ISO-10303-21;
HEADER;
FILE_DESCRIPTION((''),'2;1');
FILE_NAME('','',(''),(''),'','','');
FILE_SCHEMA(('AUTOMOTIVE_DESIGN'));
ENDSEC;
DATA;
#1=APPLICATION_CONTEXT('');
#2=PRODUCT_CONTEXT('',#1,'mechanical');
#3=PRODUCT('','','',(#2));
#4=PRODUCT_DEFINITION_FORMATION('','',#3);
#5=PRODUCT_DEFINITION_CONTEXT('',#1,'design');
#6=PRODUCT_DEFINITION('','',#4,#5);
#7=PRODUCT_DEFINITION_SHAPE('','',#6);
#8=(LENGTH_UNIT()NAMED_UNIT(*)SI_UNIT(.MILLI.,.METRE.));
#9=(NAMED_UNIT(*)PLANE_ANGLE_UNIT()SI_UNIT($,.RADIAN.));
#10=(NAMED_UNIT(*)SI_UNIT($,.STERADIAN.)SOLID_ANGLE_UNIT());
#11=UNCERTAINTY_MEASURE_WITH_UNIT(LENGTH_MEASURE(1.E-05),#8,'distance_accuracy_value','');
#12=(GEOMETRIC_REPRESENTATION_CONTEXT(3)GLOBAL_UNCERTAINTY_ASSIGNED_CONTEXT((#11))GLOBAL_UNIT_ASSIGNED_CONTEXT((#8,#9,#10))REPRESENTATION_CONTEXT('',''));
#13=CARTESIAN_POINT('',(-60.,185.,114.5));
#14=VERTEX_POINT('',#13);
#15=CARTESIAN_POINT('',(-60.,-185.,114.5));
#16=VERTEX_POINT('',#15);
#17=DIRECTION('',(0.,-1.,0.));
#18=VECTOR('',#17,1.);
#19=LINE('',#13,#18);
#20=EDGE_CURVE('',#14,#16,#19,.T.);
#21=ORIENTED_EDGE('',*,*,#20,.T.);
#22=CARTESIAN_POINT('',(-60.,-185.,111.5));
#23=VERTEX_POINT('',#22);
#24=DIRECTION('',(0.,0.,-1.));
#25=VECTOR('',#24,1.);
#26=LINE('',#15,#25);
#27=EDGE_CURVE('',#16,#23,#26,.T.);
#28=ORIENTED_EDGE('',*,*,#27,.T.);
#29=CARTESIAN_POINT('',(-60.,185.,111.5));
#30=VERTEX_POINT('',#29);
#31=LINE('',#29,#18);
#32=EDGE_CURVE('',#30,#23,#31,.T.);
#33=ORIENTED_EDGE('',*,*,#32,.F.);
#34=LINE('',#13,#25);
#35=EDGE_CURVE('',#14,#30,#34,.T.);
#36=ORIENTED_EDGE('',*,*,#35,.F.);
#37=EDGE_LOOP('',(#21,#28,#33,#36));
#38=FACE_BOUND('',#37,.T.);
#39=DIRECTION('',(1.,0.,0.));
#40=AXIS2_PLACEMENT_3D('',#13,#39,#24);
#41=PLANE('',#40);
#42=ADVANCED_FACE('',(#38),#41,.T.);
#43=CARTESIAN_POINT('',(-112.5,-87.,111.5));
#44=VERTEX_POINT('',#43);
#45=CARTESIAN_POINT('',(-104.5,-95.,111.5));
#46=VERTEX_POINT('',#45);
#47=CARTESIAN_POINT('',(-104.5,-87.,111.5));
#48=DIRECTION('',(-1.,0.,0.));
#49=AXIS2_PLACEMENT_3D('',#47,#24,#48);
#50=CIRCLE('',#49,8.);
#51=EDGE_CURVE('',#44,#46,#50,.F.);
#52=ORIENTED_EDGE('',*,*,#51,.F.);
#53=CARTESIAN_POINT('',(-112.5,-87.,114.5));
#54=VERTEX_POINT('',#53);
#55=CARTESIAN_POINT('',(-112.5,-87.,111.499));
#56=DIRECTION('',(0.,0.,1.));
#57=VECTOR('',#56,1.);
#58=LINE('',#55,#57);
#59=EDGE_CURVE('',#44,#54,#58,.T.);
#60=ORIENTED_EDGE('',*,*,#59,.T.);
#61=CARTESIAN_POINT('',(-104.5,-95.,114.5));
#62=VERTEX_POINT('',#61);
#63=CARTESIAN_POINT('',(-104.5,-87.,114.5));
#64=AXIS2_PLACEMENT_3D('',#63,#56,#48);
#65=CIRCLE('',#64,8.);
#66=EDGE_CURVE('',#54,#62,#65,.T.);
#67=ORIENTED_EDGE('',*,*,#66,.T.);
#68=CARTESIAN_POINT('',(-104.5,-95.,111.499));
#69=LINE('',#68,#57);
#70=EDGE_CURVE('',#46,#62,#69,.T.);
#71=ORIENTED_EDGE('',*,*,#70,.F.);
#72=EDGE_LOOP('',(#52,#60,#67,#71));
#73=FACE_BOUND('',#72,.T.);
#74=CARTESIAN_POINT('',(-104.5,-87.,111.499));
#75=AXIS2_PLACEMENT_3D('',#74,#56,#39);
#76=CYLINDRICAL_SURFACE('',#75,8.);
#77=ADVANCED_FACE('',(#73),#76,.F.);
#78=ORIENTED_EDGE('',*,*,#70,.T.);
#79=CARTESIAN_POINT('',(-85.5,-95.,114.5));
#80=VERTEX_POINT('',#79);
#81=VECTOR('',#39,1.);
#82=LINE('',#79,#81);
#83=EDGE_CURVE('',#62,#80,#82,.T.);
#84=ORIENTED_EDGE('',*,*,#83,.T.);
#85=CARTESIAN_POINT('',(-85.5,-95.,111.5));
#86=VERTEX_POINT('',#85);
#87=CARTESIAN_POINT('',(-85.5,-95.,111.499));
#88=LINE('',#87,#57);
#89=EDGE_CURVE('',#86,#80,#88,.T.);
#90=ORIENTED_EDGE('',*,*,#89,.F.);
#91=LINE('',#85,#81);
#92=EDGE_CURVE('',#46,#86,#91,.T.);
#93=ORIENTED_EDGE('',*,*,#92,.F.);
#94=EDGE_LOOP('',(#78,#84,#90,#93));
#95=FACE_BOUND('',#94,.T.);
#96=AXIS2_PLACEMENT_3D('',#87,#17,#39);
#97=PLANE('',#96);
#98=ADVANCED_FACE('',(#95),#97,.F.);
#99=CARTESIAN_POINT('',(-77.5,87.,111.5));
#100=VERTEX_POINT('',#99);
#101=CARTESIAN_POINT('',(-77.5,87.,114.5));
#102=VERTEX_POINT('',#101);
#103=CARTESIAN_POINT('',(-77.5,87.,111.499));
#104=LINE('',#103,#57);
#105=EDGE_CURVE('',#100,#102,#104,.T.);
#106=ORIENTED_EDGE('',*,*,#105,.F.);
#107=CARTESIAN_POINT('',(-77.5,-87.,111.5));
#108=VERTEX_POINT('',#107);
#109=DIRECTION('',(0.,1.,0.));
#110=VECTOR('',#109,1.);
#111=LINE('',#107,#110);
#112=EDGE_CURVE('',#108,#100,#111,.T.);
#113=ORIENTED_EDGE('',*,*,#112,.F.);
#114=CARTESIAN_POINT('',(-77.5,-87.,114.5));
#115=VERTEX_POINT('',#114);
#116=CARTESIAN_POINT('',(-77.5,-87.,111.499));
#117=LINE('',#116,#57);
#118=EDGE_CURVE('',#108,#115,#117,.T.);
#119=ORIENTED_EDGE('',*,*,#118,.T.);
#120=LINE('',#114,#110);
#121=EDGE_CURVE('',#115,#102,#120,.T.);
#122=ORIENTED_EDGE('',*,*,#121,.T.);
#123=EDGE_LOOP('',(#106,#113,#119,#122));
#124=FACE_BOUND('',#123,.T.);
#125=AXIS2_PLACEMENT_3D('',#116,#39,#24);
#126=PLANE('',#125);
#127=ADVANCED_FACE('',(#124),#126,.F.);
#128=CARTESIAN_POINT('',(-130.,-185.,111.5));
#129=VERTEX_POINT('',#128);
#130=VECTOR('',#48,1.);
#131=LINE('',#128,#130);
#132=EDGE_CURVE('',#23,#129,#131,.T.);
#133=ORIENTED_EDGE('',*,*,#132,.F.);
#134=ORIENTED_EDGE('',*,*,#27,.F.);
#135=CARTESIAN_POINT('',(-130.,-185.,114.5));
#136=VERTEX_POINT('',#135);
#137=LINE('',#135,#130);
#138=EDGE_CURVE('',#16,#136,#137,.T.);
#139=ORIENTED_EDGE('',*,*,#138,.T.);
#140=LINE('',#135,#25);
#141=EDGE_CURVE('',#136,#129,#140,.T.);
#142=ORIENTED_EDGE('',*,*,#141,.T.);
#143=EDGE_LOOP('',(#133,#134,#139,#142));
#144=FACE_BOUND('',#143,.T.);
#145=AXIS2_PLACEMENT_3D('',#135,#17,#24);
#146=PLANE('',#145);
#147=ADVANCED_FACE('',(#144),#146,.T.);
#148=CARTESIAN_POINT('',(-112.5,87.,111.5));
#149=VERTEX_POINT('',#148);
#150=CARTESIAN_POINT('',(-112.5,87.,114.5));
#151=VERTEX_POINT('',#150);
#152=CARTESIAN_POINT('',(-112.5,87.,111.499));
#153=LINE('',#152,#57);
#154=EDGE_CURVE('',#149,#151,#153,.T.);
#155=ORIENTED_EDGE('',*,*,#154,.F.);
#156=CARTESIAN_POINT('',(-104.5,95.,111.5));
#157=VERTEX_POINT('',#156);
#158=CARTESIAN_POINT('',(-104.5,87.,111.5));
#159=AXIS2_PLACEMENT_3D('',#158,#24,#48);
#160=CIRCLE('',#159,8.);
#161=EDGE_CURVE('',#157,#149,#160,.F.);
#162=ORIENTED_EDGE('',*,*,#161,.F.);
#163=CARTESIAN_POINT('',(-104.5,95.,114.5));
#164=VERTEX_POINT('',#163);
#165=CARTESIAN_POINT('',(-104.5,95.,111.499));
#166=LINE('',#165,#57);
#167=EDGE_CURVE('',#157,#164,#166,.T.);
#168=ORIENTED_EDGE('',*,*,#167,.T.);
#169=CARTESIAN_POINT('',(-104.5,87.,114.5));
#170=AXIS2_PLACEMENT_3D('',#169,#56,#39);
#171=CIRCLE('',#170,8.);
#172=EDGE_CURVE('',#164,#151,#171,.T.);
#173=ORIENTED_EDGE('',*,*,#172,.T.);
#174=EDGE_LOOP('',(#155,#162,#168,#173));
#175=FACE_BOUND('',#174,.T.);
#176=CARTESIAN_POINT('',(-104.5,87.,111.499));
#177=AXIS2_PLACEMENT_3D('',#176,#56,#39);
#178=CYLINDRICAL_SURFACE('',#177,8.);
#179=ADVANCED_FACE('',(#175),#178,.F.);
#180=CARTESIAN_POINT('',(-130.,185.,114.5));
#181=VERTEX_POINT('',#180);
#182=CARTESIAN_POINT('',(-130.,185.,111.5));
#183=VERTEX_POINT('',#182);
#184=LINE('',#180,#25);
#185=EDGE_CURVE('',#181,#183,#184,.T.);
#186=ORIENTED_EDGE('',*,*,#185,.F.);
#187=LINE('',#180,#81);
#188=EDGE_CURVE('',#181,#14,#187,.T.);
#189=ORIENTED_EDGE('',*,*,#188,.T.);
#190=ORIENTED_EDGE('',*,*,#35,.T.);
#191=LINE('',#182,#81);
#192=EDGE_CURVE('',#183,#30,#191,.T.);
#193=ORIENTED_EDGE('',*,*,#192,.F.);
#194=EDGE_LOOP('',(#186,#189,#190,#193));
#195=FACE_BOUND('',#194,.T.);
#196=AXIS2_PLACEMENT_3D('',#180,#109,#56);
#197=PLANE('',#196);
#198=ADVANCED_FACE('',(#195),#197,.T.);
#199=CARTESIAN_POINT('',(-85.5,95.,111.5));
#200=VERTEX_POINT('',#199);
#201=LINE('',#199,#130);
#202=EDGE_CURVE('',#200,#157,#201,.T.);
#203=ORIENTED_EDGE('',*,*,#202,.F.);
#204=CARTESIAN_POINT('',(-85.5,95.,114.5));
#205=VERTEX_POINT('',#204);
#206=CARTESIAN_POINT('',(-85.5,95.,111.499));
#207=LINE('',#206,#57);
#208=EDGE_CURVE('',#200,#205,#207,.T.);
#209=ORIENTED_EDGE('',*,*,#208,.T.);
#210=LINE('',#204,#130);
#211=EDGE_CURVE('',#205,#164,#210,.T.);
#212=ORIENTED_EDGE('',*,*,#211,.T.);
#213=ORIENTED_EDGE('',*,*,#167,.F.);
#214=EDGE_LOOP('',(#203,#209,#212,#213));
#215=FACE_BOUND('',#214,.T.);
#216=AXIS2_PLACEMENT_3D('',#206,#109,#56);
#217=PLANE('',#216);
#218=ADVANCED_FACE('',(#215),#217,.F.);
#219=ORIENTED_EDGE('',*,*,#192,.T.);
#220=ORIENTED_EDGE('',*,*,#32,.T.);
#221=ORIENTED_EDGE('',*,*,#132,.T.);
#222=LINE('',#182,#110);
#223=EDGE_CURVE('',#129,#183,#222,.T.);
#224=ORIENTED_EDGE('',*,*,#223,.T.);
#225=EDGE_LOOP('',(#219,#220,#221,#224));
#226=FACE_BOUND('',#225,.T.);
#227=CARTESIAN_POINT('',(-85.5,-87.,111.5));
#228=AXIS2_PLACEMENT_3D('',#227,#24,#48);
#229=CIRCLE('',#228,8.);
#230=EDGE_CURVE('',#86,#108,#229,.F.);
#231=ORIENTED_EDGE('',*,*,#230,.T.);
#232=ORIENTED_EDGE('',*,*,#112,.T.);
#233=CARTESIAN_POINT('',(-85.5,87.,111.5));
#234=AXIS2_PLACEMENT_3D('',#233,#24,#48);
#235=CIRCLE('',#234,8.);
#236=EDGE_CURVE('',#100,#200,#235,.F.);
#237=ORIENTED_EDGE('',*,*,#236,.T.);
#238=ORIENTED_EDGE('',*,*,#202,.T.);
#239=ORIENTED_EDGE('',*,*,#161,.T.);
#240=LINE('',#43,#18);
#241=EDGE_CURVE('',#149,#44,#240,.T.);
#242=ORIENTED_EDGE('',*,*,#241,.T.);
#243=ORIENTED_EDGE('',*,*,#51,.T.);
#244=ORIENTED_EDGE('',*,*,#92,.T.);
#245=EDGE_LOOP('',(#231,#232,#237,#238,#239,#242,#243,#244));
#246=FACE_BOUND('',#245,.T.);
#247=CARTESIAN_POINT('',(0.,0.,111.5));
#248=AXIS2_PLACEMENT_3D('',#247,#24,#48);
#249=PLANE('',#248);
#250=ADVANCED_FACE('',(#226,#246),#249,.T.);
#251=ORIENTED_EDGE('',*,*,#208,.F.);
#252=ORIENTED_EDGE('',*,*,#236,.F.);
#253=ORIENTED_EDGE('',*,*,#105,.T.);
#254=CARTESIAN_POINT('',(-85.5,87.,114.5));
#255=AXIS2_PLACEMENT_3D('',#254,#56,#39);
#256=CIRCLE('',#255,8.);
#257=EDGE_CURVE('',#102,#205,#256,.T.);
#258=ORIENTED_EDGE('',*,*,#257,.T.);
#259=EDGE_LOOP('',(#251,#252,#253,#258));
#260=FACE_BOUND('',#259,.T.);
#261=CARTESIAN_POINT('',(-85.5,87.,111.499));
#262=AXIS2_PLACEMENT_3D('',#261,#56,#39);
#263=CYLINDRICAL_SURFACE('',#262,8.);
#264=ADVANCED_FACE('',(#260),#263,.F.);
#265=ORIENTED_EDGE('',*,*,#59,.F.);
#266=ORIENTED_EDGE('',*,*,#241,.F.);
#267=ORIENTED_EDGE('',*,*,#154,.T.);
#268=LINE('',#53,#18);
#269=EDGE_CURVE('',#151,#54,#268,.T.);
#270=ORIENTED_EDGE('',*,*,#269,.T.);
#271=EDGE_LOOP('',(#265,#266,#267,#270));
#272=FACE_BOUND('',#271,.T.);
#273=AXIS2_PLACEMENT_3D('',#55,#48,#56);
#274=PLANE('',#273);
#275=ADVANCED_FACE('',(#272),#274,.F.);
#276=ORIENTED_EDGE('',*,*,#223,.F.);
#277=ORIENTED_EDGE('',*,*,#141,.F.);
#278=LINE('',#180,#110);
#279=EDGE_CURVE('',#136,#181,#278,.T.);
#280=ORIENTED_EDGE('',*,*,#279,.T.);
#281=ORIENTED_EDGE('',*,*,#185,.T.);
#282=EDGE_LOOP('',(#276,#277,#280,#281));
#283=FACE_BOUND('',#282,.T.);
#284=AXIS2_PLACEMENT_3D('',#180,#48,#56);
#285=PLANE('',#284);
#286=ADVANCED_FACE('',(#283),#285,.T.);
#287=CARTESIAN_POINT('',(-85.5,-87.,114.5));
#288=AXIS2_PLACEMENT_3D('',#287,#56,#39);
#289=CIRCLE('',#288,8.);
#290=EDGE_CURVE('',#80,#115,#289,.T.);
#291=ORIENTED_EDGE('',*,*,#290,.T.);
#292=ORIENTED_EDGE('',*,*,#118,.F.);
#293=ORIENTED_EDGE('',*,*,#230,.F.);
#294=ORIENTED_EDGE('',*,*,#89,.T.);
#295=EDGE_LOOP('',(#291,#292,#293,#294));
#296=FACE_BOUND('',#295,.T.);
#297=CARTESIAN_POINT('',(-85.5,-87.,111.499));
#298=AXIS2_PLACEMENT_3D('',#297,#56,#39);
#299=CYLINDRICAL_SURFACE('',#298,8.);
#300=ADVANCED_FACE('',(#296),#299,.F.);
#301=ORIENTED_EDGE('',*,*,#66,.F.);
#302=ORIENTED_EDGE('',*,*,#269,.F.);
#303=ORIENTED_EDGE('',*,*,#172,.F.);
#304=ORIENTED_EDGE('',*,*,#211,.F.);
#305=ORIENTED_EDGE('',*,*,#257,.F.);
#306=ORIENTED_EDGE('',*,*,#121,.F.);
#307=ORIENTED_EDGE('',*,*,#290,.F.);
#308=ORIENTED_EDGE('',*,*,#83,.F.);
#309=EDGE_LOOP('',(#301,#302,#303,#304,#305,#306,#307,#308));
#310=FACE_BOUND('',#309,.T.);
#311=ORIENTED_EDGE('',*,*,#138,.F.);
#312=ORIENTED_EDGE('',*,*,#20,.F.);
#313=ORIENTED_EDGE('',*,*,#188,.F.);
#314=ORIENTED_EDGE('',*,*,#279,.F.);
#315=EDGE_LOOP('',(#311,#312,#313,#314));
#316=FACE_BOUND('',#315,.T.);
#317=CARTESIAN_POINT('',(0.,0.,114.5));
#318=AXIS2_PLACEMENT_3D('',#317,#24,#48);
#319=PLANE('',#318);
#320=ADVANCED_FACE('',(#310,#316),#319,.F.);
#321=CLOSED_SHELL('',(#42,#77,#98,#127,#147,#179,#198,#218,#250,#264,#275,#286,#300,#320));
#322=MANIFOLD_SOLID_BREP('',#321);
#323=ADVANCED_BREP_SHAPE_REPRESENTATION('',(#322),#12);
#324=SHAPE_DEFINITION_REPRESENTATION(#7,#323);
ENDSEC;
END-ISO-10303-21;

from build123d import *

# Parameters (mm, degrees)
SZKIC3_W                    = 70
SZKIC3_H                    = 370
DODANIE_WYCI_GNI_CIE1_DEPTH = 1.5
WYTNIJ_WYCI_GNI_CIE1_REACH  = 5


with BuildPart() as part:
    # Szkic3 → Dodanie-wyciągnięcie1 (new body, symmetric)
    with BuildSketch(Plane(origin=(0, 0, 113), x_dir=(-1, 0, 0), z_dir=(0, 0, -1))):
        with Locations((95, 0)):
            Rectangle(SZKIC3_W, SZKIC3_H)
    extrude(amount=DODANIE_WYCI_GNI_CIE1_DEPTH, both=True)

    # Szkic4 → Wytnij-wyciągnięcie1 (cut, up to next)
    with BuildSketch(Plane.XY.offset(114.5), mode=Mode.PRIVATE) as wytnij_wyci_gni_cie1_sk1:
        with BuildLine():
            Line((-85.5, -95), (-104.5, -95))
            ThreePointArc((-104.5, -95), (-110.156854249, -92.656854249), (-112.5, -87))
            Line((-112.5, -87), (-112.5, 87))
            ThreePointArc((-112.5, 87), (-110.156854249, 92.656854249), (-104.5, 95))
            Line((-104.5, 95), (-85.5, 95))
            ThreePointArc((-85.5, 95), (-79.843145751, 92.656854249), (-77.5, 87))
            Line((-77.5, 87), (-77.5, -87))
            ThreePointArc((-77.5, -87), (-79.843145751, -92.656854249), (-85.5, -95))
        make_face()
    wytnij_wyci_gni_cie1_tool1 = extrude(wytnij_wyci_gni_cie1_sk1.sketch, amount=-WYTNIJ_WYCI_GNI_CIE1_REACH, mode=Mode.PRIVATE) & part.part
    add(wytnij_wyci_gni_cie1_tool1.solids().sort_by_distance((-95, 0, 114.5))[0], mode=Mode.SUBTRACT)


solid = part.part
